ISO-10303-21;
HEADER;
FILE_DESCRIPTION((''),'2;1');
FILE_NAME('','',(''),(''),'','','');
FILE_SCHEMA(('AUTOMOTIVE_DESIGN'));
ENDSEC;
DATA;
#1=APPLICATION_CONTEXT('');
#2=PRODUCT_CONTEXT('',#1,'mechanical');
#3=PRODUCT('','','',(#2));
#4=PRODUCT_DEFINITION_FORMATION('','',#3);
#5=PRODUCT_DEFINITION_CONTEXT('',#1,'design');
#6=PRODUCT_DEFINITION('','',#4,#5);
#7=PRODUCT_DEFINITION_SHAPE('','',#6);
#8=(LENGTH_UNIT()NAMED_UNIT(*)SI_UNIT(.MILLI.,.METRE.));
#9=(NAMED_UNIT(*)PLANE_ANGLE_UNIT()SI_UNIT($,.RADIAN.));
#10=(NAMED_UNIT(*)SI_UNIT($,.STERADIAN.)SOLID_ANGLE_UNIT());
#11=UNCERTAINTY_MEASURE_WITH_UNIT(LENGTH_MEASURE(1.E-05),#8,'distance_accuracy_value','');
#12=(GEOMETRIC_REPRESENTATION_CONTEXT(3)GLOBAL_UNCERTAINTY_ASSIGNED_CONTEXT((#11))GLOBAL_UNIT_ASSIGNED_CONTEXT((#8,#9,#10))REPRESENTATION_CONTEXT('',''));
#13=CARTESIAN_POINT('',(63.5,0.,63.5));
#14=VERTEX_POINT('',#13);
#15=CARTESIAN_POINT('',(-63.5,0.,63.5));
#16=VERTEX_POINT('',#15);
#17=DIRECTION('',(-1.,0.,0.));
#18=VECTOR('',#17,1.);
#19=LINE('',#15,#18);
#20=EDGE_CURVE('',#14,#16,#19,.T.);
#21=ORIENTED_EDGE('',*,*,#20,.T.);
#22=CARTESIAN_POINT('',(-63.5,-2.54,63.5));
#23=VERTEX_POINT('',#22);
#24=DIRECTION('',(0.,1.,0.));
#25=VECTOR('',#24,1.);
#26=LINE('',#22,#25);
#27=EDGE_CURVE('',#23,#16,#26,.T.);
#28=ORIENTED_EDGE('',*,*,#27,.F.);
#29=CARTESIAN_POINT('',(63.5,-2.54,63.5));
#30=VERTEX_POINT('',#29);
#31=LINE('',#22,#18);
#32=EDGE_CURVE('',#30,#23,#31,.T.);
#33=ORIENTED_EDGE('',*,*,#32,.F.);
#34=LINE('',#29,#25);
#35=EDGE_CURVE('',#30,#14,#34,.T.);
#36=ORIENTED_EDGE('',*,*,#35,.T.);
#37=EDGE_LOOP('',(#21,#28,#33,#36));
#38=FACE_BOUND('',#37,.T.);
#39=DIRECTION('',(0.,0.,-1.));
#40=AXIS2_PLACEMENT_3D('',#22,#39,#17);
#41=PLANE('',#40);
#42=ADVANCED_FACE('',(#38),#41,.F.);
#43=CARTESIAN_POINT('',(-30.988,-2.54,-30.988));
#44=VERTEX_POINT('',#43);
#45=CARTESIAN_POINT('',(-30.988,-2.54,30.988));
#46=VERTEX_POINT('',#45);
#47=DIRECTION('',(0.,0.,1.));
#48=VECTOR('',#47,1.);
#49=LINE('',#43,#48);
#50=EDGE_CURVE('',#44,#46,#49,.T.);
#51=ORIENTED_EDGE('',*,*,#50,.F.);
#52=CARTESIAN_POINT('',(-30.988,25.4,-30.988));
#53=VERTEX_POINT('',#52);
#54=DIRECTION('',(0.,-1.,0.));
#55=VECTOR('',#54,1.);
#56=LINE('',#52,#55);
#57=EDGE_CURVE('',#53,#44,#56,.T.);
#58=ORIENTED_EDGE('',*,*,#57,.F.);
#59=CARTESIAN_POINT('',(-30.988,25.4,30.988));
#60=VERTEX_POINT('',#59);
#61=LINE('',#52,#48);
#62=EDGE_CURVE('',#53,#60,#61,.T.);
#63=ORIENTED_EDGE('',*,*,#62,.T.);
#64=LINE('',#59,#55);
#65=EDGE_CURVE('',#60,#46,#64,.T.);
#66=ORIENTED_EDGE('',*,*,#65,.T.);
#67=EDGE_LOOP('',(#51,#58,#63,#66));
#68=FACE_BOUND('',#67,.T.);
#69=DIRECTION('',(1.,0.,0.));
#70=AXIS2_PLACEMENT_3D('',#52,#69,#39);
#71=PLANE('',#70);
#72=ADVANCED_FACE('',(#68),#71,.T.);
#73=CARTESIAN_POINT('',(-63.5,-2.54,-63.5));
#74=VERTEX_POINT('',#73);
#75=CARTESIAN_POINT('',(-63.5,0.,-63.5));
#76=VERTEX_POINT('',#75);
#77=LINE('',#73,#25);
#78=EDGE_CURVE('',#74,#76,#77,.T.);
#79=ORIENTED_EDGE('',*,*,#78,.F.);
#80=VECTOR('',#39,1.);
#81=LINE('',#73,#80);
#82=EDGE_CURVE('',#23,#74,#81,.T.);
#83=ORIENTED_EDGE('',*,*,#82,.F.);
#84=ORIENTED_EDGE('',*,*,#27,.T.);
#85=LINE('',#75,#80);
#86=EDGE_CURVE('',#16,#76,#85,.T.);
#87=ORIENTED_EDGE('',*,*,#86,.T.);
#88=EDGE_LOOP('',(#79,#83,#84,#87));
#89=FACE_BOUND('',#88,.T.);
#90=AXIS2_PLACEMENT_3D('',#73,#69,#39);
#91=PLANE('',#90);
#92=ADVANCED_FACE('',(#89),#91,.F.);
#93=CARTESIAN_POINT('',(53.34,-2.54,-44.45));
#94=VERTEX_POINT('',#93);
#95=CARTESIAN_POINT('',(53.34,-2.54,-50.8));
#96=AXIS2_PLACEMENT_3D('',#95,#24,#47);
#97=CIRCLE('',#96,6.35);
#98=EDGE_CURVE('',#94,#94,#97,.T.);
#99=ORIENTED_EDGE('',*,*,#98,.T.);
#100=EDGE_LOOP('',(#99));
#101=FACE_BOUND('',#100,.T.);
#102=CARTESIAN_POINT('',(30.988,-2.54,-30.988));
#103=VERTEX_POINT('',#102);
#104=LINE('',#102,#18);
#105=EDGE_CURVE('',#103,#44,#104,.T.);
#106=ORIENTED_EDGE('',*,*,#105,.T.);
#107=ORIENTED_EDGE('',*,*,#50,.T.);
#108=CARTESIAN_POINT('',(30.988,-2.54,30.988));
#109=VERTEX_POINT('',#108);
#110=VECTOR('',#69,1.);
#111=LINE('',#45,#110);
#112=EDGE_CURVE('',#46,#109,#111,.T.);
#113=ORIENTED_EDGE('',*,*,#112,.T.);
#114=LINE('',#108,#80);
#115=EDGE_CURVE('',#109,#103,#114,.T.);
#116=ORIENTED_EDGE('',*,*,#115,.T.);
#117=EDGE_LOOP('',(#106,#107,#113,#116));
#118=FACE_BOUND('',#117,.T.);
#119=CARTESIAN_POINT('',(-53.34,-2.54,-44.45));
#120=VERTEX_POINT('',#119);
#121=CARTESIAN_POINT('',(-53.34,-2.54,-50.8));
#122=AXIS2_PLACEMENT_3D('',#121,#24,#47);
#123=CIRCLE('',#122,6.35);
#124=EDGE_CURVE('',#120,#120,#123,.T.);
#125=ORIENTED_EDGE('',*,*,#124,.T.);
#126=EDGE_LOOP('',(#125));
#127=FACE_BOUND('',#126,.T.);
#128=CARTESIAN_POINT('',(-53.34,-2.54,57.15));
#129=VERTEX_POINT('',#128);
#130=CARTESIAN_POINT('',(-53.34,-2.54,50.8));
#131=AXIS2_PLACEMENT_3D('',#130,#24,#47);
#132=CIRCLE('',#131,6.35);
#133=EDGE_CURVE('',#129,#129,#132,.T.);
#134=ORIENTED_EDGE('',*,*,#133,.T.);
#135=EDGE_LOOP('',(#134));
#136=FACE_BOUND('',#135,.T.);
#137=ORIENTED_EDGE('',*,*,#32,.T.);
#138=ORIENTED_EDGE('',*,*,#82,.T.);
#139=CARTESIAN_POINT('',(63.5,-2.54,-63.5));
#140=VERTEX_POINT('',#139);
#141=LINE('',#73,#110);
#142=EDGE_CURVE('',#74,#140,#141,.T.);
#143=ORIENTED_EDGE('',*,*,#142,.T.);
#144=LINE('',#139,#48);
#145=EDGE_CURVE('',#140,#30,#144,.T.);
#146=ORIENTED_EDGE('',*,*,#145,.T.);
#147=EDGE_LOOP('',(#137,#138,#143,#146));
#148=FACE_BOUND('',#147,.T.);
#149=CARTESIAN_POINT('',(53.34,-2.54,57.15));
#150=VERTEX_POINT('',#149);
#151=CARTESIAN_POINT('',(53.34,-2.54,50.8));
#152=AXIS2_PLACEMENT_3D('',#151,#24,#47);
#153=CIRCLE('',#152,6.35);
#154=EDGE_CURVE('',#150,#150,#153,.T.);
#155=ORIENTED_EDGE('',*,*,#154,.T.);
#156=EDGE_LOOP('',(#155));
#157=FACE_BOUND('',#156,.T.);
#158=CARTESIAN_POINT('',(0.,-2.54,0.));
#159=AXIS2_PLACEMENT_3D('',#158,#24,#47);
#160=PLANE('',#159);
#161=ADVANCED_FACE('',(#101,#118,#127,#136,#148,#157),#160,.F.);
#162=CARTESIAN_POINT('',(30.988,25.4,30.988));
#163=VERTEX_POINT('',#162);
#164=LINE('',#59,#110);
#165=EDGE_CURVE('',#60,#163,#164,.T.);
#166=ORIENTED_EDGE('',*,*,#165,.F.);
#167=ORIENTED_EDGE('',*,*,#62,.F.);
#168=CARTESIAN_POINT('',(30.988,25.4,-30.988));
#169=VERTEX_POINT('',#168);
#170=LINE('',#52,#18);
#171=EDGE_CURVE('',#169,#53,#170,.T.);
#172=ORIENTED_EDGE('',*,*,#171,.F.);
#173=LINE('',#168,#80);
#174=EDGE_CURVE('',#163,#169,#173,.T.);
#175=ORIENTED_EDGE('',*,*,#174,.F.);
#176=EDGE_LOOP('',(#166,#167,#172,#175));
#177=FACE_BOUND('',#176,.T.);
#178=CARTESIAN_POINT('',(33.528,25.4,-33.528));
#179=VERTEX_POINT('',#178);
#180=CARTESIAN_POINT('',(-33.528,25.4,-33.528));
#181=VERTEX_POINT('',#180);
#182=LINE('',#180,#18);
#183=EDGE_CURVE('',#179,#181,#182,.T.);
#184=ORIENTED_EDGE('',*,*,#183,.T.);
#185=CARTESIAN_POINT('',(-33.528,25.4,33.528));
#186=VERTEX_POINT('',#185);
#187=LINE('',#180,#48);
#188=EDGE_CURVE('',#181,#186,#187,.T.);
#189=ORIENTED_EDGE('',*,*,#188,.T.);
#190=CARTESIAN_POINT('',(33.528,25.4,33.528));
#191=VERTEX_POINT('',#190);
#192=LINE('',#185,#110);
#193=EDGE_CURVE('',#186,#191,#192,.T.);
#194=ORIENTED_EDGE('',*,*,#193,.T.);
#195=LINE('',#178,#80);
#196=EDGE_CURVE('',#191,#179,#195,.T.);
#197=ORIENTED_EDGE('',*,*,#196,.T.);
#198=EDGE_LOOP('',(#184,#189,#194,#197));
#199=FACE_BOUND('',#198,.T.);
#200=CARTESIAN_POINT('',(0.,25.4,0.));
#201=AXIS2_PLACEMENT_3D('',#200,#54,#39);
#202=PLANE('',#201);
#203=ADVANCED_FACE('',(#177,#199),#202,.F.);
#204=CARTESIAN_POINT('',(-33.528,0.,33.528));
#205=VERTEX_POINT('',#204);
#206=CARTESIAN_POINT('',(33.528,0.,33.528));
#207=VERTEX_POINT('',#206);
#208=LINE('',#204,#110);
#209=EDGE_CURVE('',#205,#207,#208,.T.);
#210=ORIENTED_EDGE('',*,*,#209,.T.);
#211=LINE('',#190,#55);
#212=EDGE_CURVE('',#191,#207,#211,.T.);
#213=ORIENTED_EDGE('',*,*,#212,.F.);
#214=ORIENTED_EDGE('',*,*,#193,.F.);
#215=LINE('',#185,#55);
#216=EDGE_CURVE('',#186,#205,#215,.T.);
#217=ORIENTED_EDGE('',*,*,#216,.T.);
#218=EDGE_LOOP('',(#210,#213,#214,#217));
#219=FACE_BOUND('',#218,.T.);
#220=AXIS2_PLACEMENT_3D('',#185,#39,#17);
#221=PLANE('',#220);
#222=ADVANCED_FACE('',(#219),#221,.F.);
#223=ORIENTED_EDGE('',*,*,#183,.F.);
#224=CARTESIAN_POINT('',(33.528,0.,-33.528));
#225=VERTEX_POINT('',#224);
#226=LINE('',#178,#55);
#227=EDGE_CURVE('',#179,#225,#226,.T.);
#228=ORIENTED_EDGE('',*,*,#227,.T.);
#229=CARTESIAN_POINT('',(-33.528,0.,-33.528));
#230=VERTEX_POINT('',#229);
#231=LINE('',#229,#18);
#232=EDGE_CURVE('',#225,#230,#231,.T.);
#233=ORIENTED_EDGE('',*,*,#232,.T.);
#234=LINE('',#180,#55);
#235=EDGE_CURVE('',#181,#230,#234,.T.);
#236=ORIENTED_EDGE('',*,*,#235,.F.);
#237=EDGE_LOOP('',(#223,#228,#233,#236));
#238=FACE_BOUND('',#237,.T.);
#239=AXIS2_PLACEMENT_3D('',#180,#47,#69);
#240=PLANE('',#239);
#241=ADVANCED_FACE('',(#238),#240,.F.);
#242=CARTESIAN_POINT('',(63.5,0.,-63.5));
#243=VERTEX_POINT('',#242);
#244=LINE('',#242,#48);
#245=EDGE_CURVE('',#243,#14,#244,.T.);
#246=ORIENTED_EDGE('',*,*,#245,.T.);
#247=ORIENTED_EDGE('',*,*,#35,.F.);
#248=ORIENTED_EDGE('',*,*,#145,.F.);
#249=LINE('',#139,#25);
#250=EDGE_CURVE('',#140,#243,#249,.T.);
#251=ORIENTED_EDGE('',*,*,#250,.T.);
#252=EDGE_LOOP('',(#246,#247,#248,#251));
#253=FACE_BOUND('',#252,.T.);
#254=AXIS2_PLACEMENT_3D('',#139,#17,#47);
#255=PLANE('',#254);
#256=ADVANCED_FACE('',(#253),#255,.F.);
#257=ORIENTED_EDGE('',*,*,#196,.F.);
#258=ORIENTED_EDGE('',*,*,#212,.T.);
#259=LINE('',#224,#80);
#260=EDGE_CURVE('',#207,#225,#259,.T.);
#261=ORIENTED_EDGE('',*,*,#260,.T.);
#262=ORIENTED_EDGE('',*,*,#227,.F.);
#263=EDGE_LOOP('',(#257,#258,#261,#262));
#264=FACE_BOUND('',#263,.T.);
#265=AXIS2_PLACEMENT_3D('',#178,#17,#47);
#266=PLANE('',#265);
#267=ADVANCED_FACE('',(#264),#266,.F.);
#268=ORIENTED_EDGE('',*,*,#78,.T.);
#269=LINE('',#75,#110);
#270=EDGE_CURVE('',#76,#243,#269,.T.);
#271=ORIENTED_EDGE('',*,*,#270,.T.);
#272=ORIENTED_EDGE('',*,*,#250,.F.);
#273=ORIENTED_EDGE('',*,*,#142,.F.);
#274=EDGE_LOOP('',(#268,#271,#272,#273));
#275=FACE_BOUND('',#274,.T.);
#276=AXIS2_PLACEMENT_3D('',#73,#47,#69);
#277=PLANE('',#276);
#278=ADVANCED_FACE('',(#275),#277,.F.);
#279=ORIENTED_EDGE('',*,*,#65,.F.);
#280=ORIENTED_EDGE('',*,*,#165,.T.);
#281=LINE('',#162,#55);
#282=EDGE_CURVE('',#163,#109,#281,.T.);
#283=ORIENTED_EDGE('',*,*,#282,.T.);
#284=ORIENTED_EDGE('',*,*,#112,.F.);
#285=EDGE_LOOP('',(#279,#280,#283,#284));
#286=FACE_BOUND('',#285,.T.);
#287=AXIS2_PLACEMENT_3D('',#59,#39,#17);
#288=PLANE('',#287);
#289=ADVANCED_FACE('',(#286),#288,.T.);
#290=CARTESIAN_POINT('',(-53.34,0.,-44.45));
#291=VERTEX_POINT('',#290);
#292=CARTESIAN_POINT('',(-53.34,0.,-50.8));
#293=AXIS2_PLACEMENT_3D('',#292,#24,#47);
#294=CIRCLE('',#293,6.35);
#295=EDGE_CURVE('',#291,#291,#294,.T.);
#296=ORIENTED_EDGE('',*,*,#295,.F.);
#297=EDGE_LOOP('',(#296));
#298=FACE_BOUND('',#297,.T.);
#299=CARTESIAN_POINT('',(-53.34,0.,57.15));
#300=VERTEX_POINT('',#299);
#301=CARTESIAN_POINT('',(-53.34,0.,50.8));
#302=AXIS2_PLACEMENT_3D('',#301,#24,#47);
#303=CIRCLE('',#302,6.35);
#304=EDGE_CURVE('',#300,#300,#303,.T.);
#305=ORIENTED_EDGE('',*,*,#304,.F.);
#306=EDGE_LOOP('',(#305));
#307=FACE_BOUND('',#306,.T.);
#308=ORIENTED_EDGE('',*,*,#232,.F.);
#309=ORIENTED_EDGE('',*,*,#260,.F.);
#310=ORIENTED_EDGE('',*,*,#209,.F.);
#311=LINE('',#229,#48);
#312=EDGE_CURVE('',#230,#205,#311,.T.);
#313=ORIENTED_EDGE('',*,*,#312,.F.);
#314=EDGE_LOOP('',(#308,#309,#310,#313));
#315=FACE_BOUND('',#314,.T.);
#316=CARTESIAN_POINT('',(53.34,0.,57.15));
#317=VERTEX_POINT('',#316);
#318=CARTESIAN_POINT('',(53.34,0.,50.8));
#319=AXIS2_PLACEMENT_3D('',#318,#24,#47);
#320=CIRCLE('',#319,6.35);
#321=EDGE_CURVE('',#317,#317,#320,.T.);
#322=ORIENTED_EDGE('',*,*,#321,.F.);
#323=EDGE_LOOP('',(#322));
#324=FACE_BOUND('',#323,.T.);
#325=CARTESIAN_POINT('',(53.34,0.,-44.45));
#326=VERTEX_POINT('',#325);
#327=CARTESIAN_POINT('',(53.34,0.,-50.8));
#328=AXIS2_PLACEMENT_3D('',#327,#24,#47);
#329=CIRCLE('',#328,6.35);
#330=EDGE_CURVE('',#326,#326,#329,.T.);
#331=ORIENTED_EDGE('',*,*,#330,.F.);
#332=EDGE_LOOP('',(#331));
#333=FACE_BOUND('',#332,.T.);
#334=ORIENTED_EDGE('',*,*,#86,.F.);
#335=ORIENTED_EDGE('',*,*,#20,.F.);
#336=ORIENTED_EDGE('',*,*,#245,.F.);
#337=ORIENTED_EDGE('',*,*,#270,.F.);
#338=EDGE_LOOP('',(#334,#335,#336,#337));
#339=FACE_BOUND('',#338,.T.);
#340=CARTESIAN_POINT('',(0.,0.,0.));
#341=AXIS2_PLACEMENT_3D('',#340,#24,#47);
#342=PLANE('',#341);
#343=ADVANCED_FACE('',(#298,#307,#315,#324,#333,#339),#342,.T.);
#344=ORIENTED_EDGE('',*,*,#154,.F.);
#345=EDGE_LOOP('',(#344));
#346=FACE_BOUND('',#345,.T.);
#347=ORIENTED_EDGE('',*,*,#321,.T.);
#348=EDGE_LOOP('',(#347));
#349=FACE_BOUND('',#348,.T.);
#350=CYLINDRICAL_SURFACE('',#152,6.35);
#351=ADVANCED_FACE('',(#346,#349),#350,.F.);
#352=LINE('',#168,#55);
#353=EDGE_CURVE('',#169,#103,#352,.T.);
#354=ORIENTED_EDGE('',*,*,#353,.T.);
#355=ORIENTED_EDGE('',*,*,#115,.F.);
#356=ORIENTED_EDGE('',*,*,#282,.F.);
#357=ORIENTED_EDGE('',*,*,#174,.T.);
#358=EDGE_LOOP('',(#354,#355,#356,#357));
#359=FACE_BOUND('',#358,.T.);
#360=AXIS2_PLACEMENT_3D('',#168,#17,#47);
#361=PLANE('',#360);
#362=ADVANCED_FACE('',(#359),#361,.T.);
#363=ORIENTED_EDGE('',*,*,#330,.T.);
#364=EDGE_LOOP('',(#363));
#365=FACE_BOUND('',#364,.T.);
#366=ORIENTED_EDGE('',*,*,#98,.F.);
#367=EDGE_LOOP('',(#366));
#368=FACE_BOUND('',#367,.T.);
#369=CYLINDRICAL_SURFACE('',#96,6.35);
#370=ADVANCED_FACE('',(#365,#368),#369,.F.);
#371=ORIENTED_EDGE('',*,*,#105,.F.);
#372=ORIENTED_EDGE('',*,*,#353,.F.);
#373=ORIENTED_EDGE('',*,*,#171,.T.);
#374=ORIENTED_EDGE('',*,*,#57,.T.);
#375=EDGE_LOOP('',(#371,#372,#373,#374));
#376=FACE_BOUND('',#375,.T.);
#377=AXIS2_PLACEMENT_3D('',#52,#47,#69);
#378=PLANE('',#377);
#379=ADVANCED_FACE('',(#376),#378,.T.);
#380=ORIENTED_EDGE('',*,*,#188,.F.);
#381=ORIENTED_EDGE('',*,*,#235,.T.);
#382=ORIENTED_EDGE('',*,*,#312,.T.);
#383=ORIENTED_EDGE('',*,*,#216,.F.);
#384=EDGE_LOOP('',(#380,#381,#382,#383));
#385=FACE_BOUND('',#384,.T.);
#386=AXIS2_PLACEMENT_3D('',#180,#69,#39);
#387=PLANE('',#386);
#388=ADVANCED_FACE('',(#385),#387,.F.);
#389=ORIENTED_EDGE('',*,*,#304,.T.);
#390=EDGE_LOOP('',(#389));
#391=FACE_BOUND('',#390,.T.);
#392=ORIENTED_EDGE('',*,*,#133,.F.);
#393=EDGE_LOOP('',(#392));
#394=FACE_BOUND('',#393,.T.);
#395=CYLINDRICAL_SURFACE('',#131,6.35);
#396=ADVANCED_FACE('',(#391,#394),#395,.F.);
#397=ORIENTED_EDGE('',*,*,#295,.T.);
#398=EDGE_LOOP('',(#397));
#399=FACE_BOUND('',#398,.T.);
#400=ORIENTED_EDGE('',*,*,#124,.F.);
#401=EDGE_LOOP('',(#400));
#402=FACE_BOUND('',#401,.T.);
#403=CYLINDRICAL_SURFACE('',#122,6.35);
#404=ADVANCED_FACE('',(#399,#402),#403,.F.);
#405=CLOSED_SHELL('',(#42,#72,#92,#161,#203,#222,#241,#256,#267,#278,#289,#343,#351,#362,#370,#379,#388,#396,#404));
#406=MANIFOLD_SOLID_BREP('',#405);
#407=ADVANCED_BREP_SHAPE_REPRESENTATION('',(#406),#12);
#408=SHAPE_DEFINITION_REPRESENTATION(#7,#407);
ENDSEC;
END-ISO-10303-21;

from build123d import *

# Parameters (mm, degrees)
SKETCH1_W           = 67.056
SKETCH1_H           = 67.056
SKETCH1_W_2         = 61.976
SKETCH1_H_2         = 61.976
BOSS_EXTRUDE1_DEPTH = 25.4
SKETCH3_W           = 127
SKETCH3_H           = 127
BOSS_EXTRUDE2_DEPTH = 2.54
SKETCH4_R           = 6.35
CUT_EXTRUDE1_DEPTH  = 94.3255592
SKETCH6_W           = 61.976
SKETCH6_H           = 61.976
CUT_EXTRUDE2_DEPTH  = 94.3255592


with BuildPart() as part:
    # Sketch1 → Boss-Extrude1 (new body)
    with BuildSketch(Plane(origin=(0, 0, 0), x_dir=(1, 0, 0), z_dir=(0, 1, 0))):
        Rectangle(SKETCH1_W, SKETCH1_H)
        Rectangle(SKETCH1_W_2, SKETCH1_H_2, mode=Mode.SUBTRACT)
    extrude(amount=BOSS_EXTRUDE1_DEPTH)

    # Sketch3 → Boss-Extrude2 (add)
    with BuildSketch(Plane.XZ):
        Rectangle(SKETCH3_W, SKETCH3_H)
    extrude(amount=BOSS_EXTRUDE2_DEPTH)

    # Sketch4 → Cut-Extrude1 (cut, through all)
    with BuildSketch(Plane(origin=(0, 0, 0), x_dir=(1, 0, 0), z_dir=(0, 1, 0))):
        with Locations(Location((-53.34, 50.8, 0), (0, 0, 270))):
            Circle(SKETCH4_R)
        with Locations(Location((53.34, 50.8, 0), (0, 0, 270))):
            Circle(SKETCH4_R)
        with Locations(Location((53.34, -50.8, 0), (0, 0, 270))):
            Circle(SKETCH4_R)
        with Locations(Location((-53.34, -50.8, 0), (0, 0, 270))):
            Circle(SKETCH4_R)
    extrude(amount=-CUT_EXTRUDE1_DEPTH, mode=Mode.SUBTRACT)

    # Sketch6 → Cut-Extrude2 (cut, through all)
    with BuildSketch(Plane(origin=(0, 0, 0), x_dir=(1, 0, 0), z_dir=(0, 1, 0))):
        Rectangle(SKETCH6_W, SKETCH6_H)
    extrude(amount=-CUT_EXTRUDE2_DEPTH, mode=Mode.SUBTRACT)


solid = part.part
